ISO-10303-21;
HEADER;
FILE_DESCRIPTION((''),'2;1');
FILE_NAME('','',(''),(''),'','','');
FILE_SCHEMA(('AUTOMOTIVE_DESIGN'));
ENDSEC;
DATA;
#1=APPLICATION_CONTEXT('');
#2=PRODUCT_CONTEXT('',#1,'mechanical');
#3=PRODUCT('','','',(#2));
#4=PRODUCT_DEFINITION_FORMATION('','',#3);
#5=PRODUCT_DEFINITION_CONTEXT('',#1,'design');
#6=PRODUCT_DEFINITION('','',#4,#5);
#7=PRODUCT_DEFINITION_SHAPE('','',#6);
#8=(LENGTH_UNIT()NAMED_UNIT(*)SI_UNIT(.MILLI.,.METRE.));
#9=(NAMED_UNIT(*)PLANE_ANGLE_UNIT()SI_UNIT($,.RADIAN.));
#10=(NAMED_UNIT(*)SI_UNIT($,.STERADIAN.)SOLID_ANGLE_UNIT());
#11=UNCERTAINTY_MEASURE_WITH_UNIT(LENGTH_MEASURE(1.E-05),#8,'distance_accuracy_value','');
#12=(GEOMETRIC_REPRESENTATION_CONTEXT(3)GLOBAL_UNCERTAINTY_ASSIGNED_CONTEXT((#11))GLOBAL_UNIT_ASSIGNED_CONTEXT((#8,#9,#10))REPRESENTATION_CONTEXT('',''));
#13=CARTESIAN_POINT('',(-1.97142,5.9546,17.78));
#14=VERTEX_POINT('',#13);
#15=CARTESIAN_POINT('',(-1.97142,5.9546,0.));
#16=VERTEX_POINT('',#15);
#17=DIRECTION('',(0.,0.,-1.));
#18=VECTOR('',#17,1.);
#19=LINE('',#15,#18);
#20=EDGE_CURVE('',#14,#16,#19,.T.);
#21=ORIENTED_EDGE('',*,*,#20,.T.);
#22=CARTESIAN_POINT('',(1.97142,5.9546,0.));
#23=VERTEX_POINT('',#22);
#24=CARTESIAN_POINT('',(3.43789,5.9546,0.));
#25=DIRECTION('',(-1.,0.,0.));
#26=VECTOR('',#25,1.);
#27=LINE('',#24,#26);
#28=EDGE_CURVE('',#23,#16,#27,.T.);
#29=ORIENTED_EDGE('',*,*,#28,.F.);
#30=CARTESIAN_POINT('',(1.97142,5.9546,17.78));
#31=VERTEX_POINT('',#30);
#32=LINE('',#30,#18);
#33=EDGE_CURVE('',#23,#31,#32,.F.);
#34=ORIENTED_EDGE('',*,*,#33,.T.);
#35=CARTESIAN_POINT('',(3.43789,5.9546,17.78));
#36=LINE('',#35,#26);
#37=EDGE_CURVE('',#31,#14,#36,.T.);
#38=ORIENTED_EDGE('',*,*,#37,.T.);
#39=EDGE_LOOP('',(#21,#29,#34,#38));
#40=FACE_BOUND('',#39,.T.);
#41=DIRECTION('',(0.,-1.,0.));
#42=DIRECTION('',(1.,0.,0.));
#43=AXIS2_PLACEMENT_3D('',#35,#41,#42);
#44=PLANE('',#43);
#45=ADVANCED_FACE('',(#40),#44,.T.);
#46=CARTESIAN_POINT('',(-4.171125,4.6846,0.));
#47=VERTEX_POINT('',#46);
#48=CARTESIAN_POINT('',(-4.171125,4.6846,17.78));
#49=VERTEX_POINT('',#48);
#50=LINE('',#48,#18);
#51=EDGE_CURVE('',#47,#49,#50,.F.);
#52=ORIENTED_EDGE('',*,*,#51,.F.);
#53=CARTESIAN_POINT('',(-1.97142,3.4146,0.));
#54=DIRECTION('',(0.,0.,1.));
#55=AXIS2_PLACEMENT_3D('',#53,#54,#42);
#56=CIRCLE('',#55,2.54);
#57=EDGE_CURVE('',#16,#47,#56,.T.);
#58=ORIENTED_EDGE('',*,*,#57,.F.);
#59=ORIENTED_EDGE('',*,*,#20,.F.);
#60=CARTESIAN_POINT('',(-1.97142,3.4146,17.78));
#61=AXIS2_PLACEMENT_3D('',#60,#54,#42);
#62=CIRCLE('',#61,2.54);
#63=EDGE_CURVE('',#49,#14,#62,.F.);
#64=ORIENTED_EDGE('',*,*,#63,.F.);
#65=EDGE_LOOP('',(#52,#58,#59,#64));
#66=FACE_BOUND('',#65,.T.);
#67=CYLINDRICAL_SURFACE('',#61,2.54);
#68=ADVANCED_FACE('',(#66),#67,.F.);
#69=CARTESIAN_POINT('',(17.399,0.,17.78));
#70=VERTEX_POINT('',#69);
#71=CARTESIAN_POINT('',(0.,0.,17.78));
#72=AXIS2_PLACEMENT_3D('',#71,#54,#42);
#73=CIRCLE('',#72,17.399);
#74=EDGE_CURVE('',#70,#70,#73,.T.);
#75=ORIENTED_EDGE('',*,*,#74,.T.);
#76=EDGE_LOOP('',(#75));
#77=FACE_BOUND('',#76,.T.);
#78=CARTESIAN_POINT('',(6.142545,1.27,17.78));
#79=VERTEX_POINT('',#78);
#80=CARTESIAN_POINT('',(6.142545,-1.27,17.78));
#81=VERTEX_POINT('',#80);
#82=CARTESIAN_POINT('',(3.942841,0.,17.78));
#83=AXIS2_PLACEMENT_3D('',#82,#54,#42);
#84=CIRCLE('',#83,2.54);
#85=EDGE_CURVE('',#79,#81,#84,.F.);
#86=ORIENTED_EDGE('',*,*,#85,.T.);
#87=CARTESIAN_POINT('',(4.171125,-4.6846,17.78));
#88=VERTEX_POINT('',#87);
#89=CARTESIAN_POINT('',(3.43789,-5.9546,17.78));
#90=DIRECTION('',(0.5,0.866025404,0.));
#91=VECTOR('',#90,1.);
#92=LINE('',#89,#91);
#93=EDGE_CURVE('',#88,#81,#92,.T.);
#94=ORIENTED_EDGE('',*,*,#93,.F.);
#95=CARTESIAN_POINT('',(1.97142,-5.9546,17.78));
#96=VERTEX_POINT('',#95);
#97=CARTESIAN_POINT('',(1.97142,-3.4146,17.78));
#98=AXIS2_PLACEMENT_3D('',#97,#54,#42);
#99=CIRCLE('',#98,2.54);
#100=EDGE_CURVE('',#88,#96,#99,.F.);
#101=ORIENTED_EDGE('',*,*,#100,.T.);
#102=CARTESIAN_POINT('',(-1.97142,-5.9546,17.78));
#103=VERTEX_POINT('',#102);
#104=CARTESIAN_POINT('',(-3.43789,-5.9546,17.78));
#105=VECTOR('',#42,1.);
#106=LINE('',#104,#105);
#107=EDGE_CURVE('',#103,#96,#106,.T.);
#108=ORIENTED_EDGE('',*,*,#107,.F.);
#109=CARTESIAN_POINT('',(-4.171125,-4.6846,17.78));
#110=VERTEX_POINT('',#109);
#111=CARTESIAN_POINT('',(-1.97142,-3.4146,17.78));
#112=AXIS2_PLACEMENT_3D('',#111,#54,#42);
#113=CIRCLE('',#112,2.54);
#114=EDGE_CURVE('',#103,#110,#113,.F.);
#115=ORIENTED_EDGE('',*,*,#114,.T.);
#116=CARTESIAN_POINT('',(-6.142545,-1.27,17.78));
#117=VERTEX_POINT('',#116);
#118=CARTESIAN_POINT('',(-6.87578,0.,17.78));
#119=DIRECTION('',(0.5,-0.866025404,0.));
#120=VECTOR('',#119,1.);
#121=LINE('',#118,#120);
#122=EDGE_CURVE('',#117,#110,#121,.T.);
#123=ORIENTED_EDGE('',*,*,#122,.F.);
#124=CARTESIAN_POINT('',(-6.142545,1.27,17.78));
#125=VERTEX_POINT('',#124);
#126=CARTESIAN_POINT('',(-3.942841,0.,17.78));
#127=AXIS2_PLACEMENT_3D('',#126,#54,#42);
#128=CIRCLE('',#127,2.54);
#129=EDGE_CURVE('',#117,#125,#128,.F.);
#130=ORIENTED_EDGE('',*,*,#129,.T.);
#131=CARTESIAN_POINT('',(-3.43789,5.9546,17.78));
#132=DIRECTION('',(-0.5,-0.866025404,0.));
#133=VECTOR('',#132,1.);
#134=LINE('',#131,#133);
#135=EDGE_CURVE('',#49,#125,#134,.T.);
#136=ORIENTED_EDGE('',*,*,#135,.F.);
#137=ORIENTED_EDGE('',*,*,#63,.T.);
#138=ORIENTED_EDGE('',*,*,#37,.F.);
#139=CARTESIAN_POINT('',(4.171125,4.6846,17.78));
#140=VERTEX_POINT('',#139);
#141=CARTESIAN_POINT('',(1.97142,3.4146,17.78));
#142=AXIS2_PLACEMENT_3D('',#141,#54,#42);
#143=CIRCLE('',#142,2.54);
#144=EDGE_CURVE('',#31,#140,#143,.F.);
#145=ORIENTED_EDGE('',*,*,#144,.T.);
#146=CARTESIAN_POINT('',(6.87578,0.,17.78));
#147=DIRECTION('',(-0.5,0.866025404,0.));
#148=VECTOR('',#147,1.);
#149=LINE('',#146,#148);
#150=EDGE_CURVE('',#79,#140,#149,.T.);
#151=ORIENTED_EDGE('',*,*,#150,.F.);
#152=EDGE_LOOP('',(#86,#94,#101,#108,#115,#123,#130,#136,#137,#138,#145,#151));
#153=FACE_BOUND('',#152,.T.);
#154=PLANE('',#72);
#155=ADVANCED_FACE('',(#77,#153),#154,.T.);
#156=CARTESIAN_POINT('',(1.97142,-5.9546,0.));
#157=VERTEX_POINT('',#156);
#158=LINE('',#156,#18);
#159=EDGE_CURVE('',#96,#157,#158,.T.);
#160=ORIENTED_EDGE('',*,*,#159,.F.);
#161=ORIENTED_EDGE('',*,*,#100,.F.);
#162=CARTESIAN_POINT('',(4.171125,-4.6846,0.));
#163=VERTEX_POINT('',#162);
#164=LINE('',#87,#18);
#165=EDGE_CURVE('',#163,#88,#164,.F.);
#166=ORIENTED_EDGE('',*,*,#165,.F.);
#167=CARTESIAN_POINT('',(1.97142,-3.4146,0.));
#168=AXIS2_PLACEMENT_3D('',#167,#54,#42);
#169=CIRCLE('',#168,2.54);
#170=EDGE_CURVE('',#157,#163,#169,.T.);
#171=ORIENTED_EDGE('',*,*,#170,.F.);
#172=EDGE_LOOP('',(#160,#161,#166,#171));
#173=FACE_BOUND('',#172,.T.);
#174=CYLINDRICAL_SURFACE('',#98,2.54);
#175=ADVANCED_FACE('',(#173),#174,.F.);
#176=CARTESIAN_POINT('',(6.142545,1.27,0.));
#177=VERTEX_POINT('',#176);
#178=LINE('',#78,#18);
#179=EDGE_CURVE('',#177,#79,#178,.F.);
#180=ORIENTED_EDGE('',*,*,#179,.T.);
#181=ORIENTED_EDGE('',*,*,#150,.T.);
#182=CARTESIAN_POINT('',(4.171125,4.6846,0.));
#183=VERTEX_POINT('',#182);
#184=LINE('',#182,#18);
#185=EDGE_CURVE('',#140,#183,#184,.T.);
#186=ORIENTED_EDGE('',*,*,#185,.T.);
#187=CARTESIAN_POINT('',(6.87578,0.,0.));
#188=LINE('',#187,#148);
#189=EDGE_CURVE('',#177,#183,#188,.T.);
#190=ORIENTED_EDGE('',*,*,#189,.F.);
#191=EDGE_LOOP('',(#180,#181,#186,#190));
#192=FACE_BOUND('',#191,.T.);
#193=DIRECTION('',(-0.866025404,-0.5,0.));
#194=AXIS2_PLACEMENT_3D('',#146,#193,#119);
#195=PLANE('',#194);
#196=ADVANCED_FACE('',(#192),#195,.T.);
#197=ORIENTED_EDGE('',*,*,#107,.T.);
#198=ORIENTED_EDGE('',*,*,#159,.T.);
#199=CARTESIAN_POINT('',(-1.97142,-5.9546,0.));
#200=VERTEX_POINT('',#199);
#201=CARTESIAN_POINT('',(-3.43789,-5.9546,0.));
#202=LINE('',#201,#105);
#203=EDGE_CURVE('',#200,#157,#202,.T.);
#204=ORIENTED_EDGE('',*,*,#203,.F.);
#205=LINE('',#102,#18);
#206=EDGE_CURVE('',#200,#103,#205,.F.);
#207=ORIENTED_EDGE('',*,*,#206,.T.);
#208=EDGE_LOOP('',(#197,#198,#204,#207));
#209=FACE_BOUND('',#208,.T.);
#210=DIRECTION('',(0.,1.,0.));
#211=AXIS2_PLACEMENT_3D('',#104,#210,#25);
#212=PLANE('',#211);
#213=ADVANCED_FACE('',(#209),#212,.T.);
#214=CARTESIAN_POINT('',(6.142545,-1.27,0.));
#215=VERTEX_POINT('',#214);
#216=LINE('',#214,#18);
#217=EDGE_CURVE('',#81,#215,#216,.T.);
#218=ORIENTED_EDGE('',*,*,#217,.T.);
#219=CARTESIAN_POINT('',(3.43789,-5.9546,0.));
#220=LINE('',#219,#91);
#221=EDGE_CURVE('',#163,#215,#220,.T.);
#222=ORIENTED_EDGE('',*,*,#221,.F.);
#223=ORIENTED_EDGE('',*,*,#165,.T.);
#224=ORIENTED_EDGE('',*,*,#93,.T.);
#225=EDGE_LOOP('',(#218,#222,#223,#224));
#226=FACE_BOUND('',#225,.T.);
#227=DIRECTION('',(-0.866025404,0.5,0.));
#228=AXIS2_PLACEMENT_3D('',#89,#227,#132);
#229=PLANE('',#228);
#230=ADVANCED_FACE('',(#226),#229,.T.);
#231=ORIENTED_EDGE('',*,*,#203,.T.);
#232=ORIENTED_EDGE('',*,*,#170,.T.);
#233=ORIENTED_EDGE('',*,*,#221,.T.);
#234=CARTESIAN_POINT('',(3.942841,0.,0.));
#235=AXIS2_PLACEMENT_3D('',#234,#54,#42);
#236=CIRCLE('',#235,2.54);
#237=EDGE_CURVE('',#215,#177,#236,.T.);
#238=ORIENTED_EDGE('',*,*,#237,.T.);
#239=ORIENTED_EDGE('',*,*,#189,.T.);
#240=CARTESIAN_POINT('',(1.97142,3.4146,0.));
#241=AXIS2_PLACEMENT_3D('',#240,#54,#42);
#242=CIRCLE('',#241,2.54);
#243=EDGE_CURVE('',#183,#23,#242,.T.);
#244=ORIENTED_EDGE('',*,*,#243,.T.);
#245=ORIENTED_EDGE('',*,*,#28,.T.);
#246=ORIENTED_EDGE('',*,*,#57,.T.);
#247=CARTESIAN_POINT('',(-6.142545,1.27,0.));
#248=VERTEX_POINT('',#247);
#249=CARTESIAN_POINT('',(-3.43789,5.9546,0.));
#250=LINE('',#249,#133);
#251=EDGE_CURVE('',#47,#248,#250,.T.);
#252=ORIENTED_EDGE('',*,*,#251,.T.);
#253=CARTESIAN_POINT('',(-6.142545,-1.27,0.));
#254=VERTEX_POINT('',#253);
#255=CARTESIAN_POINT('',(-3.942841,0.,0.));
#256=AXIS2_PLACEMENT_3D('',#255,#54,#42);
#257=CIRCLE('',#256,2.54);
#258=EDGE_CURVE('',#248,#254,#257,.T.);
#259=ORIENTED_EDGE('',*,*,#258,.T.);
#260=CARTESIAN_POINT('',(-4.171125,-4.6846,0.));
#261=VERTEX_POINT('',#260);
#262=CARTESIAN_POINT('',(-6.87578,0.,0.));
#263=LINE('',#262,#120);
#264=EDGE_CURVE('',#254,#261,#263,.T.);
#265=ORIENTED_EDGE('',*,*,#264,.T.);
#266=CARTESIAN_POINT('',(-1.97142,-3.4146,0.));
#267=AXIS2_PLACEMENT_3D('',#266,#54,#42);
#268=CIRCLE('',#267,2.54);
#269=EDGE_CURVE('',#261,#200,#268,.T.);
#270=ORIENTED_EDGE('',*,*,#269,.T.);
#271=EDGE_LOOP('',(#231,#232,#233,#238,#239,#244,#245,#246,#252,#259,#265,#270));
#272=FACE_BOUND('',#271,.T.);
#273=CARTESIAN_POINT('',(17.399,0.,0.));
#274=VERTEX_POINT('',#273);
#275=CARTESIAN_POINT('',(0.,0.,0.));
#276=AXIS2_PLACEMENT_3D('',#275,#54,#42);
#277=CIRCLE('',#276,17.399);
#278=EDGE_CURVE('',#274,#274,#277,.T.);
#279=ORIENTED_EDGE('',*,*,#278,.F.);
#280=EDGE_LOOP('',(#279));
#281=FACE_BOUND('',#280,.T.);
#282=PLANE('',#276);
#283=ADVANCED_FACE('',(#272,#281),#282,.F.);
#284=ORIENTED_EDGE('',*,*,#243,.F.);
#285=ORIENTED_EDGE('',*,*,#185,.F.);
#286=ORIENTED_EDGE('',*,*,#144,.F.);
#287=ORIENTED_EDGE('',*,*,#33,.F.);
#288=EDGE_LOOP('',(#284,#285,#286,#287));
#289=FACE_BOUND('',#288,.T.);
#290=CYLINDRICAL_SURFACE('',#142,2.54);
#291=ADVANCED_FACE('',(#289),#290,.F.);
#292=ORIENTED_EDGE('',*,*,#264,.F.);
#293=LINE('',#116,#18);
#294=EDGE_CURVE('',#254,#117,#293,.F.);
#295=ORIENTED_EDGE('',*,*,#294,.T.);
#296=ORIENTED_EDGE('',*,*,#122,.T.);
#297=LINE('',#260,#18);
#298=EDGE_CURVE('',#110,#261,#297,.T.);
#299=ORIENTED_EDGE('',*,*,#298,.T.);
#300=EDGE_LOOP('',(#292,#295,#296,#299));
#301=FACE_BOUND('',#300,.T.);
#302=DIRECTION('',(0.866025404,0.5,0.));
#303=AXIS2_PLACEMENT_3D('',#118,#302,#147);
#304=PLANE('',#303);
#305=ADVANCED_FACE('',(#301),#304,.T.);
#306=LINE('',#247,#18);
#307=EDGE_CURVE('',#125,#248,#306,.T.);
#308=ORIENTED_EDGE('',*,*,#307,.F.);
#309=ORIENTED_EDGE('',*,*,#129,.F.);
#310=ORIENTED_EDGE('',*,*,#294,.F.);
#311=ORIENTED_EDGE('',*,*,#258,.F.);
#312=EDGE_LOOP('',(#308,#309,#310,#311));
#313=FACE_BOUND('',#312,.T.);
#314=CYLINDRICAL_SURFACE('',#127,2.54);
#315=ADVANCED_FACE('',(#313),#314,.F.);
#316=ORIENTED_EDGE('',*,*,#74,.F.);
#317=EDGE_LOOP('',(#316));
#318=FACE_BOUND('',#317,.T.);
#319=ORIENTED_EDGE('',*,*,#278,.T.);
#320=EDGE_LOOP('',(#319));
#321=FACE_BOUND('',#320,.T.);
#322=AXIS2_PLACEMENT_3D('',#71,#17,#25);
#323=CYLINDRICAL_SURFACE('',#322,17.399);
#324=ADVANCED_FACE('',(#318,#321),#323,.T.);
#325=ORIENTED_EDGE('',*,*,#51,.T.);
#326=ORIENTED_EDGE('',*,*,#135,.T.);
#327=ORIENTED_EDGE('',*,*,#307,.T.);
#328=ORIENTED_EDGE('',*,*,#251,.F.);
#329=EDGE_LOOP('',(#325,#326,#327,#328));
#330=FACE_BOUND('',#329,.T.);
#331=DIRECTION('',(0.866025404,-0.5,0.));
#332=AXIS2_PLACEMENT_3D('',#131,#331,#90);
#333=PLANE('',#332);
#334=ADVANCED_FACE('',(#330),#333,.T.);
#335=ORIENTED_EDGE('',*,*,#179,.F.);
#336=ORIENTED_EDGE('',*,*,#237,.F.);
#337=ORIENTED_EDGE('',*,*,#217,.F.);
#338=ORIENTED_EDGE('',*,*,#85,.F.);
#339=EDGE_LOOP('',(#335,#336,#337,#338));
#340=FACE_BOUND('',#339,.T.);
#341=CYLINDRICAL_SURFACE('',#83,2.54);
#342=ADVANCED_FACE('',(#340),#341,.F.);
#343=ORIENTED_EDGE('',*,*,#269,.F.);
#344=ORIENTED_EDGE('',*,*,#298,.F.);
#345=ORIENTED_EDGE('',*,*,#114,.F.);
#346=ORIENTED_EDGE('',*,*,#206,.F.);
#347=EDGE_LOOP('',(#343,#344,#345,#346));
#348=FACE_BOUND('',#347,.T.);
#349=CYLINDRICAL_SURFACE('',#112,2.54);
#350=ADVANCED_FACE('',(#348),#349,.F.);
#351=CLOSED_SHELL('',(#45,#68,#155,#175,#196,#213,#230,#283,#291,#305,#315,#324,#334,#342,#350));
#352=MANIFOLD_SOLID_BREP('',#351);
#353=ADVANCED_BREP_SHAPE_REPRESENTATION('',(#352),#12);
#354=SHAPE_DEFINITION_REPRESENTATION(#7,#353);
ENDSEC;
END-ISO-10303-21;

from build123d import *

# Parameters (mm, degrees)
SKETCH1_R           = 17.399
BOSS_EXTRUDE1_DEPTH = 17.78
FILLET1_R           = 2.54


with BuildPart() as part:
    # Sketch1 → Boss-Extrude1 (new body)
    with BuildSketch(Plane.XY):
        Circle(SKETCH1_R)
        Polygon((6.87578, 0), (3.43789, 5.954600151), (-3.43789, 5.954600151), (-6.87578, 0), (-3.43789, -5.954600151), (3.43789, -5.954600151), align=None, mode=Mode.SUBTRACT)
    extrude(amount=BOSS_EXTRUDE1_DEPTH)

    # Fillet1
    fillet1_edges = [part.edges().sort_by_distance(p)[0] for p in [
        (6.87578, 0, 8.89),
        (3.43789, 5.954600151, 8.89),
        (-3.43789, 5.954600151, 8.89),
        (-6.87578, 0, 8.89),
        (-3.43789, -5.954600151, 8.89),
        (3.43789, -5.954600151, 8.89),
    ]]
    fillet(fillet1_edges, radius=FILLET1_R)


solid = part.part
